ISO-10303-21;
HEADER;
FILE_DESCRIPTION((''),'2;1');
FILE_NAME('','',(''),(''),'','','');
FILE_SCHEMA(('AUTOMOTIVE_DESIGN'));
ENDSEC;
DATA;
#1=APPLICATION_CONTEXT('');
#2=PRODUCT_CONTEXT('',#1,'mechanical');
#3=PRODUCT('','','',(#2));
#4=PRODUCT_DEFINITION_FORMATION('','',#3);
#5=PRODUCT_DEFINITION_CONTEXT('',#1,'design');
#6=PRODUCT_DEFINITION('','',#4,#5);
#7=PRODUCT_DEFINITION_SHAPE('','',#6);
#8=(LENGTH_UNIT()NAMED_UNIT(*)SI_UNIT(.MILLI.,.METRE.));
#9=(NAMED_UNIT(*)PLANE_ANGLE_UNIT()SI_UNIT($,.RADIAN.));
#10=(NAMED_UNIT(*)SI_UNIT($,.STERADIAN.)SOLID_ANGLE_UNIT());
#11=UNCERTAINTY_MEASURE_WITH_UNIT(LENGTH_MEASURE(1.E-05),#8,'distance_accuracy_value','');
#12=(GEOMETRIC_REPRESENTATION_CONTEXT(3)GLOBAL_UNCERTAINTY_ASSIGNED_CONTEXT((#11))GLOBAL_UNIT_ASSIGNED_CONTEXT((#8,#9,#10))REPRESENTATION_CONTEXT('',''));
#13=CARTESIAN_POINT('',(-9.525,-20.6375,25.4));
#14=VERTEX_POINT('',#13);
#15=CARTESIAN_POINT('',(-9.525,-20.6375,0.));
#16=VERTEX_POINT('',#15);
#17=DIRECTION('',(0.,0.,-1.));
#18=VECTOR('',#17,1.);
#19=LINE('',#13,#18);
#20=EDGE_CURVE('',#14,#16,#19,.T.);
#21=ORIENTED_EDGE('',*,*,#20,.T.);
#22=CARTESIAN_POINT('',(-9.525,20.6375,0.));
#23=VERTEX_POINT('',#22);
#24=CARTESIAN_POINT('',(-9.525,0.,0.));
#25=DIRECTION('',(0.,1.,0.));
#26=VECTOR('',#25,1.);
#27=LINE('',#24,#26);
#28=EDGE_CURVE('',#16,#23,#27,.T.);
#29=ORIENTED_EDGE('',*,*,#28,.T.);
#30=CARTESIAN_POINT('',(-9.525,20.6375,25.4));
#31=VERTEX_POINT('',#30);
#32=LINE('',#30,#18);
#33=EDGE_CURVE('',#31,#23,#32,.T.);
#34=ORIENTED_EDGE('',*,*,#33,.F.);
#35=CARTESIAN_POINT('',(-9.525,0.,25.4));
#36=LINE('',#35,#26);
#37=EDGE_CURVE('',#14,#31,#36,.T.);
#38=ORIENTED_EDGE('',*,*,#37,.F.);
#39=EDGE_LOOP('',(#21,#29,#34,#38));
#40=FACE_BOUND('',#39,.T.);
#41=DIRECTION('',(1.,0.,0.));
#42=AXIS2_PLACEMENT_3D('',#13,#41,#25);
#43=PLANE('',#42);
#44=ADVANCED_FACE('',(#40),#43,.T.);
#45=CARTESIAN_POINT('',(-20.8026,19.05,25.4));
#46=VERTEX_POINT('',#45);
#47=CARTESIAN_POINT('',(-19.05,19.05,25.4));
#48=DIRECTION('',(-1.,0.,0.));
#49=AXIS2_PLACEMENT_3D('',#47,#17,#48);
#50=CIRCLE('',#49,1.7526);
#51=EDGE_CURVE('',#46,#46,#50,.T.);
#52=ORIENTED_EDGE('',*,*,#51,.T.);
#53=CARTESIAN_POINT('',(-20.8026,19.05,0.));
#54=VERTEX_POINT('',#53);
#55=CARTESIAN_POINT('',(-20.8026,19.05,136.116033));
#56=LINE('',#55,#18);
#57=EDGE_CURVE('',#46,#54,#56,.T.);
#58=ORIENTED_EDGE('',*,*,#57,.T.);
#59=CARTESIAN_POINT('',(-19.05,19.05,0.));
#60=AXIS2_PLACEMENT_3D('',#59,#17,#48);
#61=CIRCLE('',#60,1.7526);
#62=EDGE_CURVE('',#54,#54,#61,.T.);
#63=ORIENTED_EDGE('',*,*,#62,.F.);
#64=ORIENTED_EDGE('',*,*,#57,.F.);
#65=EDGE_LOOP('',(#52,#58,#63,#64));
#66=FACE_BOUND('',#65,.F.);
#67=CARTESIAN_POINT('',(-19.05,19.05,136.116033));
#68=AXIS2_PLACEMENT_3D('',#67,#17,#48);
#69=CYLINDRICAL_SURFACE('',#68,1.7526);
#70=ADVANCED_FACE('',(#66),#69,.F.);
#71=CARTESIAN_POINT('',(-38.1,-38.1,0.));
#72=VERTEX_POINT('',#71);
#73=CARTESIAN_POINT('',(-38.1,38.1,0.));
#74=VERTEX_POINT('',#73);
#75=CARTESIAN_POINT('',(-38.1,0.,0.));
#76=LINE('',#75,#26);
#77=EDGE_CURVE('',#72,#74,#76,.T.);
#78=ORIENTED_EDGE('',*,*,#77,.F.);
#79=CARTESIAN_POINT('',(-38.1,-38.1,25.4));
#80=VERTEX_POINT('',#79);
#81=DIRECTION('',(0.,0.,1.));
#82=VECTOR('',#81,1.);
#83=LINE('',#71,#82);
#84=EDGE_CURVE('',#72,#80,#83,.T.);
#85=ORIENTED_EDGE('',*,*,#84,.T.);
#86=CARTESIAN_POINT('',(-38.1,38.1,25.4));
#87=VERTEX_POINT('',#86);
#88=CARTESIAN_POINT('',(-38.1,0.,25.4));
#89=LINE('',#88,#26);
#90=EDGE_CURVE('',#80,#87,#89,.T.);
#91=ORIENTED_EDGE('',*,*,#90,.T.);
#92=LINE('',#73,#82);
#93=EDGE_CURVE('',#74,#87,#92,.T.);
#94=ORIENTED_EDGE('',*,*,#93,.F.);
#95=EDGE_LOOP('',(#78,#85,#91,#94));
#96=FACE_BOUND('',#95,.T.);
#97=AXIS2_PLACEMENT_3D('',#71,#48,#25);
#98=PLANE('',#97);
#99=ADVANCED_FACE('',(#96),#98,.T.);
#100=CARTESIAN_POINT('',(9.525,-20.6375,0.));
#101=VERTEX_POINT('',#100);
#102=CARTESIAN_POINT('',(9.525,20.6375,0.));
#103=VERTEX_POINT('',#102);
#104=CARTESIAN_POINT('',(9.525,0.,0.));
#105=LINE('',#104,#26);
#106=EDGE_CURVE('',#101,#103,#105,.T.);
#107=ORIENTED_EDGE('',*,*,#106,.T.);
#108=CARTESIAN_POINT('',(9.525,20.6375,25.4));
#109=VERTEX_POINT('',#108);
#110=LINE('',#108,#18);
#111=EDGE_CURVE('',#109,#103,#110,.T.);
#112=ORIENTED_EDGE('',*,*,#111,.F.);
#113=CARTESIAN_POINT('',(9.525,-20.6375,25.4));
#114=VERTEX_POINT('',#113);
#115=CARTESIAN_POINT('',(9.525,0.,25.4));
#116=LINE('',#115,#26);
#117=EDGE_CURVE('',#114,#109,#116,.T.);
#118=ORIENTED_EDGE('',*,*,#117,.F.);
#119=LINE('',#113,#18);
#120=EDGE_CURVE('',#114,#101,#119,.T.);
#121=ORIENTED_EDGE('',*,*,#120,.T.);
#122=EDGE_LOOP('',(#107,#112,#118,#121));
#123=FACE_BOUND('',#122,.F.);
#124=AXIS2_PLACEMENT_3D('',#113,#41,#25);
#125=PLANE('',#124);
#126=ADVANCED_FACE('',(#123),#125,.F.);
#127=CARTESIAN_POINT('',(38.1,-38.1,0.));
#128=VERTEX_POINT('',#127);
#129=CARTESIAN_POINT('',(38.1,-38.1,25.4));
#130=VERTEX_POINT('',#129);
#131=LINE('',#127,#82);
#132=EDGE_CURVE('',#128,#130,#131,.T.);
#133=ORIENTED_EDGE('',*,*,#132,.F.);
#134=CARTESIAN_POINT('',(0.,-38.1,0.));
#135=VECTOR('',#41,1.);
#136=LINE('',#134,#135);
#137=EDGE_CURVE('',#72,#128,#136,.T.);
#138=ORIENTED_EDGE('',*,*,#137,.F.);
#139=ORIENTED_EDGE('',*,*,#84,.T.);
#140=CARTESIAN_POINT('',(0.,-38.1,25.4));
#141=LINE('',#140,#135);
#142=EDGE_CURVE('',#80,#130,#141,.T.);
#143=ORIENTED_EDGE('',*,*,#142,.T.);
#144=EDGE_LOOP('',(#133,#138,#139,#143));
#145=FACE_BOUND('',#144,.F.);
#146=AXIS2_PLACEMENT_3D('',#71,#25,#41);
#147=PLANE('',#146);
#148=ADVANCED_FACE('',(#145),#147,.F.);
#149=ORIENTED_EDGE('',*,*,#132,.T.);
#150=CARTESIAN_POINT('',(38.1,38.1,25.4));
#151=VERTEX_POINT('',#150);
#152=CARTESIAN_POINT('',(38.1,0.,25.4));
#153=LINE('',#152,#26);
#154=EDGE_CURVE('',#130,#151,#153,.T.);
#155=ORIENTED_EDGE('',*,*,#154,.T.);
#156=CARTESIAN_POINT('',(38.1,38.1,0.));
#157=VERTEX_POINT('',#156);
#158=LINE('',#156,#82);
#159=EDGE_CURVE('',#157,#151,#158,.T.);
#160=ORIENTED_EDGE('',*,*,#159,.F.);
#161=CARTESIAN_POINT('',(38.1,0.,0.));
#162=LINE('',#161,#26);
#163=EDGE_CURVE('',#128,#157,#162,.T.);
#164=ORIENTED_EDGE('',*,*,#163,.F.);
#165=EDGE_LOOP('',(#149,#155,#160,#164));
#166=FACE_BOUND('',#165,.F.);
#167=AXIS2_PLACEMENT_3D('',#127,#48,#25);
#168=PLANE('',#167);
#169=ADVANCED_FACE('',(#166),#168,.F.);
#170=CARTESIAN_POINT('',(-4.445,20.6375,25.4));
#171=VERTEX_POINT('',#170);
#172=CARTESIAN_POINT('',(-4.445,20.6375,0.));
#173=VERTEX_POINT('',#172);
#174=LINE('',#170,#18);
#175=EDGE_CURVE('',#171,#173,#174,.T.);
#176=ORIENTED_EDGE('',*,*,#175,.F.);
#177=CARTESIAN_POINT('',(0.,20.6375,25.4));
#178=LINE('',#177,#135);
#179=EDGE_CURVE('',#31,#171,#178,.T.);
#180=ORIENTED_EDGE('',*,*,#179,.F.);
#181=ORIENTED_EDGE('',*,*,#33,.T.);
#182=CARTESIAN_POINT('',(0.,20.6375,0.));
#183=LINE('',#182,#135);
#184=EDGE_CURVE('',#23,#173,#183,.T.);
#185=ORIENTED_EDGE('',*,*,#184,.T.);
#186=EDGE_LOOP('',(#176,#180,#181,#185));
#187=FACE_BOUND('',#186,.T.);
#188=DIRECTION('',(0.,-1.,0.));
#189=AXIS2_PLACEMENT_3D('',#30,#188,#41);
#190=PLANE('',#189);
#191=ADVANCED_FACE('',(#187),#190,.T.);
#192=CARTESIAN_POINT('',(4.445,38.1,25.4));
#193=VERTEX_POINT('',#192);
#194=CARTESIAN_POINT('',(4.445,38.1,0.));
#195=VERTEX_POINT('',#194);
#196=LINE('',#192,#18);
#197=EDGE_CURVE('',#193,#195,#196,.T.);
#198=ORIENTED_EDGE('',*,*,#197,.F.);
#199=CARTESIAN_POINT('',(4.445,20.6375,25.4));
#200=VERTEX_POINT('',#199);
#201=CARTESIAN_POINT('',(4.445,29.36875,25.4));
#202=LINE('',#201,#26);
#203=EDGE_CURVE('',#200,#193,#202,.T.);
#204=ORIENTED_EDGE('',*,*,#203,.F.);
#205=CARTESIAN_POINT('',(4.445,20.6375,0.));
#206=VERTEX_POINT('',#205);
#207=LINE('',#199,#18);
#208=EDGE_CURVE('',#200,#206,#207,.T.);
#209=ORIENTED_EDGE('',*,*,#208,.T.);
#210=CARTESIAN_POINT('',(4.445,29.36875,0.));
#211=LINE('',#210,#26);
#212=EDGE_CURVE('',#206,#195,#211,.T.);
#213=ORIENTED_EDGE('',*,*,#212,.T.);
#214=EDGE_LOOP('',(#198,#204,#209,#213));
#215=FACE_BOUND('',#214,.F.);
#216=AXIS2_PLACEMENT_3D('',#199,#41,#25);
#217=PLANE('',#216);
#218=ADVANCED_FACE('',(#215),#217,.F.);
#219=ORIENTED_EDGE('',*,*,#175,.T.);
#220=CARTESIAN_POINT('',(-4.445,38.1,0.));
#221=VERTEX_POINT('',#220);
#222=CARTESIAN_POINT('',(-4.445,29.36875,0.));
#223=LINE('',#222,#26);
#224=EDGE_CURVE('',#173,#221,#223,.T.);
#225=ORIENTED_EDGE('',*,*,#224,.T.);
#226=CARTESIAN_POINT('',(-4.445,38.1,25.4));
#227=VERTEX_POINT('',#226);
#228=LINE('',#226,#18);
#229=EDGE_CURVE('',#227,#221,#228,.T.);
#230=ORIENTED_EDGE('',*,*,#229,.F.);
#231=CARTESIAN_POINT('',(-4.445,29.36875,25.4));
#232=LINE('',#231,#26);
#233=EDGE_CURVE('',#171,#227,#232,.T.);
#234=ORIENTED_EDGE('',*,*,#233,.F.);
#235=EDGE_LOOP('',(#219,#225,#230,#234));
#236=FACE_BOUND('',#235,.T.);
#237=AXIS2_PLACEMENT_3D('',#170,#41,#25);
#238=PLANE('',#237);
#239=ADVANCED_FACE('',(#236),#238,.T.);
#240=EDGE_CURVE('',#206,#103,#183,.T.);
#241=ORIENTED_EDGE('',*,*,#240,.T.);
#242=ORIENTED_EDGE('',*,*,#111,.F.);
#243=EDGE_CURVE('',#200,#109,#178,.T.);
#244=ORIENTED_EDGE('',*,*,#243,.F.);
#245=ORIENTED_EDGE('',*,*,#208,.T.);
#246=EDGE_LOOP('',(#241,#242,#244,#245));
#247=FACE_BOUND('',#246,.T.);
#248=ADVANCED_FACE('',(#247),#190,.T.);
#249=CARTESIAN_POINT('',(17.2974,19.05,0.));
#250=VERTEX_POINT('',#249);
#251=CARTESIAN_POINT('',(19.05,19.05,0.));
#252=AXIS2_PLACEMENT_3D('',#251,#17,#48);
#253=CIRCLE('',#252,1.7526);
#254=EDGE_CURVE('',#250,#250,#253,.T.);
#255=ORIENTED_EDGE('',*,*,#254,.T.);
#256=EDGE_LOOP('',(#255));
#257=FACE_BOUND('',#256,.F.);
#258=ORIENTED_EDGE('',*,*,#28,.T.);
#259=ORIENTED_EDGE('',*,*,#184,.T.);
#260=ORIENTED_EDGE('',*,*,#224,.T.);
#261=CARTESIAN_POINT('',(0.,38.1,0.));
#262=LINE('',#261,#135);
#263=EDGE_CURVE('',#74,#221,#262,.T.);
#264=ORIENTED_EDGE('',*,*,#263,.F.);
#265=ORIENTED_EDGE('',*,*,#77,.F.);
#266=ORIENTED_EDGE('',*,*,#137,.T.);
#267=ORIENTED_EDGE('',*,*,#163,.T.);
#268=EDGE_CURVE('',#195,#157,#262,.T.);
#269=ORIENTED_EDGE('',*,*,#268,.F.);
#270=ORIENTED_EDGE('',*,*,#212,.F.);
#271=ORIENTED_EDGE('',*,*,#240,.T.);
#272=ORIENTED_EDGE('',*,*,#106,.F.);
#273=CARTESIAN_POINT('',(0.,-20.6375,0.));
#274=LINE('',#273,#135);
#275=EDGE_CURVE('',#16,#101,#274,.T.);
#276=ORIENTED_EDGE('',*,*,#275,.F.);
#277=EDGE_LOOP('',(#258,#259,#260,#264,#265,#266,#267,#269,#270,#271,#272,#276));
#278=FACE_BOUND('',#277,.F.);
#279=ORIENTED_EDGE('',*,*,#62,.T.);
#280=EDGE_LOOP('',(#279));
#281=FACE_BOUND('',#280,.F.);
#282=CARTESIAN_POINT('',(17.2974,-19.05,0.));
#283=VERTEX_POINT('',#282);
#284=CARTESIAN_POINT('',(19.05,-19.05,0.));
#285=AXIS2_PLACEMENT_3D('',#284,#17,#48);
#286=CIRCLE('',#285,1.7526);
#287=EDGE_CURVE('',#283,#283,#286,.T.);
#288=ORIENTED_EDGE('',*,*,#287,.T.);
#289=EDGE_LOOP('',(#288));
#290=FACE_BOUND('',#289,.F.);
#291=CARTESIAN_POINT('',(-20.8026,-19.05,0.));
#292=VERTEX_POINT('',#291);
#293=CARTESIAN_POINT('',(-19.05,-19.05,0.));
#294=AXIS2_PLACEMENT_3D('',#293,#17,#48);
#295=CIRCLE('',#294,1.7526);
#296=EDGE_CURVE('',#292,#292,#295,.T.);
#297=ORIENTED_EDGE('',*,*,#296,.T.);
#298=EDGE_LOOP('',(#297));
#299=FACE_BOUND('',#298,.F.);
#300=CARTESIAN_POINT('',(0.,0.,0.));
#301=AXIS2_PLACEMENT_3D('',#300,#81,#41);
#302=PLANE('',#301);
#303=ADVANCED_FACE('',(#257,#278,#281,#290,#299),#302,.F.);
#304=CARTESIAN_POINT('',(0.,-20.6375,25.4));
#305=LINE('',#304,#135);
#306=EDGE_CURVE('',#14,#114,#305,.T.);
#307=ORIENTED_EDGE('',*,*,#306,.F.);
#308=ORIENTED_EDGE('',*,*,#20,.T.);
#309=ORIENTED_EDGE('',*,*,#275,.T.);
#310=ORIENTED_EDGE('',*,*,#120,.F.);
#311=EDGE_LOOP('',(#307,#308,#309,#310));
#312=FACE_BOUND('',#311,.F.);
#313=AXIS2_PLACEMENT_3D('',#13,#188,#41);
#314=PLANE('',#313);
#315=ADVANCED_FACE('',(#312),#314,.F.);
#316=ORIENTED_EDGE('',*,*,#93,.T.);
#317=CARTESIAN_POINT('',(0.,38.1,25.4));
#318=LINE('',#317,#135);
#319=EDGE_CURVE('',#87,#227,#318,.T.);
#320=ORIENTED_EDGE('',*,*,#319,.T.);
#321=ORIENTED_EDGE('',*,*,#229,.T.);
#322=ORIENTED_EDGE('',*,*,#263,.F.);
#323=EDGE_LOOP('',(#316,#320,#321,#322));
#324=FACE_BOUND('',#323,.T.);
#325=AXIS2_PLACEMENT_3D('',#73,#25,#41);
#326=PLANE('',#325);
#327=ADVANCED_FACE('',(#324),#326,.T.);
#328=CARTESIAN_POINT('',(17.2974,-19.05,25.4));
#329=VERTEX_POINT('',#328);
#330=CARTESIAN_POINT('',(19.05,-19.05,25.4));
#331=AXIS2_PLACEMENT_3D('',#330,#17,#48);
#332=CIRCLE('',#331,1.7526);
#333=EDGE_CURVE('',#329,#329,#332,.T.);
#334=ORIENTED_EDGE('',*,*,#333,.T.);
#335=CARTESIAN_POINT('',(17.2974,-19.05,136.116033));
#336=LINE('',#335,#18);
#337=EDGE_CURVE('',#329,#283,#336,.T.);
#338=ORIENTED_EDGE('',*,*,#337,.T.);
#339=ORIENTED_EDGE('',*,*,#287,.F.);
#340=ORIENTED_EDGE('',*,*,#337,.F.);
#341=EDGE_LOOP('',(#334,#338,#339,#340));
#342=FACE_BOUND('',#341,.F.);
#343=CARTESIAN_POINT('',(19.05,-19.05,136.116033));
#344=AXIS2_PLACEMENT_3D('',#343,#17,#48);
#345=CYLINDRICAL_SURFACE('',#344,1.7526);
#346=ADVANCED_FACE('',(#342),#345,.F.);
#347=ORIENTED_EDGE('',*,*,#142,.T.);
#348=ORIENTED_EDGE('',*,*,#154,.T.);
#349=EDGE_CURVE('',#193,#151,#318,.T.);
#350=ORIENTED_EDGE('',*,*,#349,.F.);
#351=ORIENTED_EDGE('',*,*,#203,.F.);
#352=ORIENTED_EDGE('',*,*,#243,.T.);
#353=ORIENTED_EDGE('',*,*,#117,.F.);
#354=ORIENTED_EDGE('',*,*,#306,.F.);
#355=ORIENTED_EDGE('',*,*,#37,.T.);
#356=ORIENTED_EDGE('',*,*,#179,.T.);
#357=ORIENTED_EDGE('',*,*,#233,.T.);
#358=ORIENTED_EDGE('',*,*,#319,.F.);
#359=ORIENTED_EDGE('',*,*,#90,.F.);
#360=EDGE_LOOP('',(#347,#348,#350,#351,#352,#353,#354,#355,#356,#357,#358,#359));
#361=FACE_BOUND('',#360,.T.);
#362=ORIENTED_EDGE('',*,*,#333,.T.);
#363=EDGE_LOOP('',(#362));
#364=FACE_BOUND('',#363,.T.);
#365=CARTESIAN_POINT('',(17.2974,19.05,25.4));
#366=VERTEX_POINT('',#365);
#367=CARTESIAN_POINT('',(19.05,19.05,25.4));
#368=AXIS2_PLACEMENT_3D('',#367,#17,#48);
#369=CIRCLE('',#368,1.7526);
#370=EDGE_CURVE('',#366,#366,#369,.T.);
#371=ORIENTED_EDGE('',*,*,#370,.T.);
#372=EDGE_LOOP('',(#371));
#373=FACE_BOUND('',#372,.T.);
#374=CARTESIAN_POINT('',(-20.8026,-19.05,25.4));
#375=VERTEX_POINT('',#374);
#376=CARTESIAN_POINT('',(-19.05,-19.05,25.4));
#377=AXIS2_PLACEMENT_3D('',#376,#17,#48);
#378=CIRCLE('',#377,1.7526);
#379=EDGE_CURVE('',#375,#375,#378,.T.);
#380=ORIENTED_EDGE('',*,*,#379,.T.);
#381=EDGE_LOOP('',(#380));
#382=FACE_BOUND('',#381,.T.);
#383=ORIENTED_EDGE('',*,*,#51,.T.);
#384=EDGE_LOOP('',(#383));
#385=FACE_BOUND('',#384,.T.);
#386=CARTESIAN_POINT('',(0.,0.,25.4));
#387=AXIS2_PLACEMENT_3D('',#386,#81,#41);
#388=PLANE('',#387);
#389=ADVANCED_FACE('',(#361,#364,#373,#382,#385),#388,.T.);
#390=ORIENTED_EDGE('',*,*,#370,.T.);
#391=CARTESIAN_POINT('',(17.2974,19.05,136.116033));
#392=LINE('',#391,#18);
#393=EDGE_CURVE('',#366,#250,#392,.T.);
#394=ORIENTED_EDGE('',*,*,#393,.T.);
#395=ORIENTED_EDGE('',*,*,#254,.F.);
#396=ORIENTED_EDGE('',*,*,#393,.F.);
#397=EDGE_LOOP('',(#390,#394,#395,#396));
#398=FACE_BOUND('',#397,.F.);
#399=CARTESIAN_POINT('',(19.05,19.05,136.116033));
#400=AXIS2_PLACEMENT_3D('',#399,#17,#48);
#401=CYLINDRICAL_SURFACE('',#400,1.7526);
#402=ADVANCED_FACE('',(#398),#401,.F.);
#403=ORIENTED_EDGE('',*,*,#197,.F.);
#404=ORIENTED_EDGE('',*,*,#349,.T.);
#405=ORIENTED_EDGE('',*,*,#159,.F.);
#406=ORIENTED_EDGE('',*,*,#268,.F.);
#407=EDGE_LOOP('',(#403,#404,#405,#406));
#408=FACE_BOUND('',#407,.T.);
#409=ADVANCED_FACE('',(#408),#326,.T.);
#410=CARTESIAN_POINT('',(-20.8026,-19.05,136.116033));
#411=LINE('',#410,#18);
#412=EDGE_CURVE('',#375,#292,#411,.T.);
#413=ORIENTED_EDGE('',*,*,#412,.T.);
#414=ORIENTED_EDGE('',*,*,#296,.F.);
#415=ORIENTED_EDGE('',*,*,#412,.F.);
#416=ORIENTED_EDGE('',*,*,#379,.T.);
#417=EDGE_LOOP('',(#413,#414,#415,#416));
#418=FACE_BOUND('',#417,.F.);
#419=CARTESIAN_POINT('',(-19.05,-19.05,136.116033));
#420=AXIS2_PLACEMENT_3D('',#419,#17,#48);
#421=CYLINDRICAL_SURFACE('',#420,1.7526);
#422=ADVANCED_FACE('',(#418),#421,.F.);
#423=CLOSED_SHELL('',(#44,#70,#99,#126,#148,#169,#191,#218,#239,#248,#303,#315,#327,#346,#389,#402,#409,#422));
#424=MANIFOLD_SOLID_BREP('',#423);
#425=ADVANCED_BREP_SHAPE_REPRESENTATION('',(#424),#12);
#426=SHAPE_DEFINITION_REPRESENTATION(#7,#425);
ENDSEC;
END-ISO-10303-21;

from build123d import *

# Parameters (mm, degrees)
F0_W     = 76.2
F0_H     = 76.2
F1_DEPTH = 25.4
F2_W     = 19.05
F2_H     = 41.275
F3_DEPTH = 25.4
F4_W     = 8.89
F4_H     = 17.4625
F5_DEPTH = 25.4
F7_D     = 3.5052


with BuildPart() as f1:
    # F0 (on Top) → F1 (new body)
    with BuildSketch(Plane.XY):
        Rectangle(F0_W, F0_H)
    extrude(amount=F1_DEPTH)

    # F2 (on face) → F3 (cut)
    with BuildSketch(Plane.XY.offset(25.4)):
        Rectangle(F2_W, F2_H)
    extrude(amount=-F3_DEPTH, mode=Mode.SUBTRACT)

    # F4 (on face) → F5 (cut)
    with BuildSketch(Plane.XY.offset(25.4)):
        with Locations((0, 29.36875)):
            Rectangle(F4_W, F4_H)
    extrude(amount=-F5_DEPTH, mode=Mode.SUBTRACT)

    # F7 (through all)
    with Locations(Plane.XY.offset(25.4)):
        with Locations((-19.05, 19.05), (-19.05, -19.05), (19.05, -19.05), (19.05, 19.05)):
            Hole(F7_D / 2)


solid = f1.part
